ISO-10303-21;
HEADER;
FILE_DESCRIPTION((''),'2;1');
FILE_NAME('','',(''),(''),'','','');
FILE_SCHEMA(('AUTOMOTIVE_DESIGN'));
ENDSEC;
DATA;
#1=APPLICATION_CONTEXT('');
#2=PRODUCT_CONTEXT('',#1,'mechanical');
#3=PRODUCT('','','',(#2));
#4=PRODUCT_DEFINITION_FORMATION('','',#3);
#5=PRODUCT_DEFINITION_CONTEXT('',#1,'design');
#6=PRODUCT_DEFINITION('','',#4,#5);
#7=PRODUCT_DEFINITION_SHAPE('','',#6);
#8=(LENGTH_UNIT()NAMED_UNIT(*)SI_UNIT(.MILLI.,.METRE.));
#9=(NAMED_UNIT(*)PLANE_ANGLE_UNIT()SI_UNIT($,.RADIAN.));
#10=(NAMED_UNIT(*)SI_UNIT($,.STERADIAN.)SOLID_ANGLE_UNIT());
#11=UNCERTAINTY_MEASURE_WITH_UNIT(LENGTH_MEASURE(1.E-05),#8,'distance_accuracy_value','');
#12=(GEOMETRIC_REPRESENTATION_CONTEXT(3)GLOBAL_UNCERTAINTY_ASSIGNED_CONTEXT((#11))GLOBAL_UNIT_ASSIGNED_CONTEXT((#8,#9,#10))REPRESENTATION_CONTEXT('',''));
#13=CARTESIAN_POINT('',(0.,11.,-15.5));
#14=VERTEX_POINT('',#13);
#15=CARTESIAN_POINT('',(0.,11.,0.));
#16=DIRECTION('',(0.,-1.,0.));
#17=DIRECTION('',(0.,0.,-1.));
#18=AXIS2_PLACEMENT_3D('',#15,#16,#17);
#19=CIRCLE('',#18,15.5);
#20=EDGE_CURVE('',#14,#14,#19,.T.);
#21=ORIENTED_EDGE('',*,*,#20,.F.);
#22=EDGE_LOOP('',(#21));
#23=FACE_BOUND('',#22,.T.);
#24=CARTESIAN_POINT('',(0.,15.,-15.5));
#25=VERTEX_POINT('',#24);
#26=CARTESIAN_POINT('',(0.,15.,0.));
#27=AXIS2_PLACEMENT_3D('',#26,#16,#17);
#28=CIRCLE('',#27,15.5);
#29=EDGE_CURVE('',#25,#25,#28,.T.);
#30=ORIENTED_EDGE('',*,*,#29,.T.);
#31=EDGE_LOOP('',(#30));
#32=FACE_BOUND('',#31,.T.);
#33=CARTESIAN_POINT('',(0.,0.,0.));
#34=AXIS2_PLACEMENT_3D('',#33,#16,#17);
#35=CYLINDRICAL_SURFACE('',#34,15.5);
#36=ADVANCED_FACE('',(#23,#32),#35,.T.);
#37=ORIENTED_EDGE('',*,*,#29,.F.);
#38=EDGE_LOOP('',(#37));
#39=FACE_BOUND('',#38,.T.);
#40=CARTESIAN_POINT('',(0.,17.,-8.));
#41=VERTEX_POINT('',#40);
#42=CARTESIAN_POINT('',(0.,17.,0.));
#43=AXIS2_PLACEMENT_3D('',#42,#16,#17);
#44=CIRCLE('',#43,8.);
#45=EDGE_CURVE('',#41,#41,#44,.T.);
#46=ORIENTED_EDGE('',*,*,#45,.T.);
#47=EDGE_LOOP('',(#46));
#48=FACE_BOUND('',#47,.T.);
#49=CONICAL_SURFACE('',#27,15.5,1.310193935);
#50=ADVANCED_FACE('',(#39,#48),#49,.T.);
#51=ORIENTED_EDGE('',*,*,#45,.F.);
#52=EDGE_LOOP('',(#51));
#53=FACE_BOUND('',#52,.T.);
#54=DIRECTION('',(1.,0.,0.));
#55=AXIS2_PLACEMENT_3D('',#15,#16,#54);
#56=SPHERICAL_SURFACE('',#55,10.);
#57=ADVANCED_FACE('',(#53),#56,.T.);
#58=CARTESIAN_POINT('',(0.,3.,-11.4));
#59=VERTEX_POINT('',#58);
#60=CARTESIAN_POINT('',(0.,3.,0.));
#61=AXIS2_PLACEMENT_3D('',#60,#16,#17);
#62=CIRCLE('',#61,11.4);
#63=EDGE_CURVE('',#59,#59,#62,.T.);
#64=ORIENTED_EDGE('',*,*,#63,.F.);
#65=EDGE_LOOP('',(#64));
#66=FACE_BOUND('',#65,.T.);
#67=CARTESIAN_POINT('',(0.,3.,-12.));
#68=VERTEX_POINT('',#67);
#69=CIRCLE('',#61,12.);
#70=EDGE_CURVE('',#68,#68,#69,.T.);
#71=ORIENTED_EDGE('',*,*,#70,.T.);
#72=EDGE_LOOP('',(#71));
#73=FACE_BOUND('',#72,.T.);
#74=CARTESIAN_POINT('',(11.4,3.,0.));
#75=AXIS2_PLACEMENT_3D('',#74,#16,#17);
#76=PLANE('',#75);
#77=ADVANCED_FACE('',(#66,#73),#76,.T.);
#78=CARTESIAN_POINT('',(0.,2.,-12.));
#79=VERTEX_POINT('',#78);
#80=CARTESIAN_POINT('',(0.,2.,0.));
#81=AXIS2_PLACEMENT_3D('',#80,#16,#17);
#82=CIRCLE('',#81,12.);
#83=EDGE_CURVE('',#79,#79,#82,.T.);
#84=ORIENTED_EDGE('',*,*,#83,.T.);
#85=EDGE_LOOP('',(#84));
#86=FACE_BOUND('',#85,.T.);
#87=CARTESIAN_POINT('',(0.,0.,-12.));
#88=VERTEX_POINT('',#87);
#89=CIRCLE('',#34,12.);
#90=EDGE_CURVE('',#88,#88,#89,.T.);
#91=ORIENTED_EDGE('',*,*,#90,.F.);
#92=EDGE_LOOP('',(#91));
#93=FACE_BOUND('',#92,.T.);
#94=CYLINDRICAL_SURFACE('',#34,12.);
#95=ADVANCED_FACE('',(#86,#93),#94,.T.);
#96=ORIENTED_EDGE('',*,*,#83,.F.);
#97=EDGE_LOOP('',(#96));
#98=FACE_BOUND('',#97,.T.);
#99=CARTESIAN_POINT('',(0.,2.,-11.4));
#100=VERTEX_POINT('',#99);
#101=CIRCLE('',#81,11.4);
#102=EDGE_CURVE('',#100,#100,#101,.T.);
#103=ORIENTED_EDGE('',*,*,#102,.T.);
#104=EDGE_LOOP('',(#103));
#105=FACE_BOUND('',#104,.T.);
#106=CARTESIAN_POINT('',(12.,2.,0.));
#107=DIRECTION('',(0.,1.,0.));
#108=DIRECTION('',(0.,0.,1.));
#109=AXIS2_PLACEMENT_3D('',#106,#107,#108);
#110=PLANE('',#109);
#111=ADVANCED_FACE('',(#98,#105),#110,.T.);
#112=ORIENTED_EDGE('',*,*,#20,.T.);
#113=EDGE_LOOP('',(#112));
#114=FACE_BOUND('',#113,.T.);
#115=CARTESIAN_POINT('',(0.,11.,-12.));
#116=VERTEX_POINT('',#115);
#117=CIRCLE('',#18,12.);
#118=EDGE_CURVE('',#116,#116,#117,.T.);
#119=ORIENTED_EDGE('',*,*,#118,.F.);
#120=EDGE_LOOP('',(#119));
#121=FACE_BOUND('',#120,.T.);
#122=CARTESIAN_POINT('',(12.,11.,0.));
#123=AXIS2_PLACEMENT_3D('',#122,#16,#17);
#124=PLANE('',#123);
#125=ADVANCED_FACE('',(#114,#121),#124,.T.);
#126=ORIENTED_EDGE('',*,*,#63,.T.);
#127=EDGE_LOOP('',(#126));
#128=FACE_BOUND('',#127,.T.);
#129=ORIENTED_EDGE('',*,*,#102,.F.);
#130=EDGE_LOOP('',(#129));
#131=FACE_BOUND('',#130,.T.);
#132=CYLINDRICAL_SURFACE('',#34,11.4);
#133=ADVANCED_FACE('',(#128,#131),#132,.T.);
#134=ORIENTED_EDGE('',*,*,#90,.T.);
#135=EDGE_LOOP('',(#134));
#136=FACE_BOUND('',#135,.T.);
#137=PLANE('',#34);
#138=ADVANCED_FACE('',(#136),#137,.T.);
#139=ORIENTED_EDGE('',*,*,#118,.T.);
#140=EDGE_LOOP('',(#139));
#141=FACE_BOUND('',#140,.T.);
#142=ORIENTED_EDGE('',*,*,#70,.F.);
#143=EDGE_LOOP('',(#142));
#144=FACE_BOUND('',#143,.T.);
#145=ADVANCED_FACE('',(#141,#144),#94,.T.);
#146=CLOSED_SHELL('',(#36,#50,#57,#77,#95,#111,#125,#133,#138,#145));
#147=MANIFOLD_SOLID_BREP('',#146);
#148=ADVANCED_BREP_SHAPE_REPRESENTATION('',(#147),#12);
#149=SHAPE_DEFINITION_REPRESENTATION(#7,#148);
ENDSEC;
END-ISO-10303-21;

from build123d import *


with BuildPart() as part:
    # Esquisse1 → Révolution1 (revolve)
    with BuildSketch(Plane.XY):
        with BuildLine():
            Line((0, 0), (12, 0))
            Line((12, 0), (12, 2))
            Line((12, 2), (11.4, 2))
            Line((11.4, 2), (11.4, 3))
            Line((11.4, 3), (12, 3))
            Line((12, 3), (12, 11))
            Line((12, 11), (15.5, 11))
            Line((15.5, 11), (15.5, 15))
            Line((15.5, 15), (8, 17))
            ThreePointArc((8, 17), (4.472135955, 19.94427191), (0, 21))
            Line((0, 21), (0, 0))
        make_face()
    revolve(axis=Axis((0, 0, 0), (0, 1, 0)))


solid = part.part
